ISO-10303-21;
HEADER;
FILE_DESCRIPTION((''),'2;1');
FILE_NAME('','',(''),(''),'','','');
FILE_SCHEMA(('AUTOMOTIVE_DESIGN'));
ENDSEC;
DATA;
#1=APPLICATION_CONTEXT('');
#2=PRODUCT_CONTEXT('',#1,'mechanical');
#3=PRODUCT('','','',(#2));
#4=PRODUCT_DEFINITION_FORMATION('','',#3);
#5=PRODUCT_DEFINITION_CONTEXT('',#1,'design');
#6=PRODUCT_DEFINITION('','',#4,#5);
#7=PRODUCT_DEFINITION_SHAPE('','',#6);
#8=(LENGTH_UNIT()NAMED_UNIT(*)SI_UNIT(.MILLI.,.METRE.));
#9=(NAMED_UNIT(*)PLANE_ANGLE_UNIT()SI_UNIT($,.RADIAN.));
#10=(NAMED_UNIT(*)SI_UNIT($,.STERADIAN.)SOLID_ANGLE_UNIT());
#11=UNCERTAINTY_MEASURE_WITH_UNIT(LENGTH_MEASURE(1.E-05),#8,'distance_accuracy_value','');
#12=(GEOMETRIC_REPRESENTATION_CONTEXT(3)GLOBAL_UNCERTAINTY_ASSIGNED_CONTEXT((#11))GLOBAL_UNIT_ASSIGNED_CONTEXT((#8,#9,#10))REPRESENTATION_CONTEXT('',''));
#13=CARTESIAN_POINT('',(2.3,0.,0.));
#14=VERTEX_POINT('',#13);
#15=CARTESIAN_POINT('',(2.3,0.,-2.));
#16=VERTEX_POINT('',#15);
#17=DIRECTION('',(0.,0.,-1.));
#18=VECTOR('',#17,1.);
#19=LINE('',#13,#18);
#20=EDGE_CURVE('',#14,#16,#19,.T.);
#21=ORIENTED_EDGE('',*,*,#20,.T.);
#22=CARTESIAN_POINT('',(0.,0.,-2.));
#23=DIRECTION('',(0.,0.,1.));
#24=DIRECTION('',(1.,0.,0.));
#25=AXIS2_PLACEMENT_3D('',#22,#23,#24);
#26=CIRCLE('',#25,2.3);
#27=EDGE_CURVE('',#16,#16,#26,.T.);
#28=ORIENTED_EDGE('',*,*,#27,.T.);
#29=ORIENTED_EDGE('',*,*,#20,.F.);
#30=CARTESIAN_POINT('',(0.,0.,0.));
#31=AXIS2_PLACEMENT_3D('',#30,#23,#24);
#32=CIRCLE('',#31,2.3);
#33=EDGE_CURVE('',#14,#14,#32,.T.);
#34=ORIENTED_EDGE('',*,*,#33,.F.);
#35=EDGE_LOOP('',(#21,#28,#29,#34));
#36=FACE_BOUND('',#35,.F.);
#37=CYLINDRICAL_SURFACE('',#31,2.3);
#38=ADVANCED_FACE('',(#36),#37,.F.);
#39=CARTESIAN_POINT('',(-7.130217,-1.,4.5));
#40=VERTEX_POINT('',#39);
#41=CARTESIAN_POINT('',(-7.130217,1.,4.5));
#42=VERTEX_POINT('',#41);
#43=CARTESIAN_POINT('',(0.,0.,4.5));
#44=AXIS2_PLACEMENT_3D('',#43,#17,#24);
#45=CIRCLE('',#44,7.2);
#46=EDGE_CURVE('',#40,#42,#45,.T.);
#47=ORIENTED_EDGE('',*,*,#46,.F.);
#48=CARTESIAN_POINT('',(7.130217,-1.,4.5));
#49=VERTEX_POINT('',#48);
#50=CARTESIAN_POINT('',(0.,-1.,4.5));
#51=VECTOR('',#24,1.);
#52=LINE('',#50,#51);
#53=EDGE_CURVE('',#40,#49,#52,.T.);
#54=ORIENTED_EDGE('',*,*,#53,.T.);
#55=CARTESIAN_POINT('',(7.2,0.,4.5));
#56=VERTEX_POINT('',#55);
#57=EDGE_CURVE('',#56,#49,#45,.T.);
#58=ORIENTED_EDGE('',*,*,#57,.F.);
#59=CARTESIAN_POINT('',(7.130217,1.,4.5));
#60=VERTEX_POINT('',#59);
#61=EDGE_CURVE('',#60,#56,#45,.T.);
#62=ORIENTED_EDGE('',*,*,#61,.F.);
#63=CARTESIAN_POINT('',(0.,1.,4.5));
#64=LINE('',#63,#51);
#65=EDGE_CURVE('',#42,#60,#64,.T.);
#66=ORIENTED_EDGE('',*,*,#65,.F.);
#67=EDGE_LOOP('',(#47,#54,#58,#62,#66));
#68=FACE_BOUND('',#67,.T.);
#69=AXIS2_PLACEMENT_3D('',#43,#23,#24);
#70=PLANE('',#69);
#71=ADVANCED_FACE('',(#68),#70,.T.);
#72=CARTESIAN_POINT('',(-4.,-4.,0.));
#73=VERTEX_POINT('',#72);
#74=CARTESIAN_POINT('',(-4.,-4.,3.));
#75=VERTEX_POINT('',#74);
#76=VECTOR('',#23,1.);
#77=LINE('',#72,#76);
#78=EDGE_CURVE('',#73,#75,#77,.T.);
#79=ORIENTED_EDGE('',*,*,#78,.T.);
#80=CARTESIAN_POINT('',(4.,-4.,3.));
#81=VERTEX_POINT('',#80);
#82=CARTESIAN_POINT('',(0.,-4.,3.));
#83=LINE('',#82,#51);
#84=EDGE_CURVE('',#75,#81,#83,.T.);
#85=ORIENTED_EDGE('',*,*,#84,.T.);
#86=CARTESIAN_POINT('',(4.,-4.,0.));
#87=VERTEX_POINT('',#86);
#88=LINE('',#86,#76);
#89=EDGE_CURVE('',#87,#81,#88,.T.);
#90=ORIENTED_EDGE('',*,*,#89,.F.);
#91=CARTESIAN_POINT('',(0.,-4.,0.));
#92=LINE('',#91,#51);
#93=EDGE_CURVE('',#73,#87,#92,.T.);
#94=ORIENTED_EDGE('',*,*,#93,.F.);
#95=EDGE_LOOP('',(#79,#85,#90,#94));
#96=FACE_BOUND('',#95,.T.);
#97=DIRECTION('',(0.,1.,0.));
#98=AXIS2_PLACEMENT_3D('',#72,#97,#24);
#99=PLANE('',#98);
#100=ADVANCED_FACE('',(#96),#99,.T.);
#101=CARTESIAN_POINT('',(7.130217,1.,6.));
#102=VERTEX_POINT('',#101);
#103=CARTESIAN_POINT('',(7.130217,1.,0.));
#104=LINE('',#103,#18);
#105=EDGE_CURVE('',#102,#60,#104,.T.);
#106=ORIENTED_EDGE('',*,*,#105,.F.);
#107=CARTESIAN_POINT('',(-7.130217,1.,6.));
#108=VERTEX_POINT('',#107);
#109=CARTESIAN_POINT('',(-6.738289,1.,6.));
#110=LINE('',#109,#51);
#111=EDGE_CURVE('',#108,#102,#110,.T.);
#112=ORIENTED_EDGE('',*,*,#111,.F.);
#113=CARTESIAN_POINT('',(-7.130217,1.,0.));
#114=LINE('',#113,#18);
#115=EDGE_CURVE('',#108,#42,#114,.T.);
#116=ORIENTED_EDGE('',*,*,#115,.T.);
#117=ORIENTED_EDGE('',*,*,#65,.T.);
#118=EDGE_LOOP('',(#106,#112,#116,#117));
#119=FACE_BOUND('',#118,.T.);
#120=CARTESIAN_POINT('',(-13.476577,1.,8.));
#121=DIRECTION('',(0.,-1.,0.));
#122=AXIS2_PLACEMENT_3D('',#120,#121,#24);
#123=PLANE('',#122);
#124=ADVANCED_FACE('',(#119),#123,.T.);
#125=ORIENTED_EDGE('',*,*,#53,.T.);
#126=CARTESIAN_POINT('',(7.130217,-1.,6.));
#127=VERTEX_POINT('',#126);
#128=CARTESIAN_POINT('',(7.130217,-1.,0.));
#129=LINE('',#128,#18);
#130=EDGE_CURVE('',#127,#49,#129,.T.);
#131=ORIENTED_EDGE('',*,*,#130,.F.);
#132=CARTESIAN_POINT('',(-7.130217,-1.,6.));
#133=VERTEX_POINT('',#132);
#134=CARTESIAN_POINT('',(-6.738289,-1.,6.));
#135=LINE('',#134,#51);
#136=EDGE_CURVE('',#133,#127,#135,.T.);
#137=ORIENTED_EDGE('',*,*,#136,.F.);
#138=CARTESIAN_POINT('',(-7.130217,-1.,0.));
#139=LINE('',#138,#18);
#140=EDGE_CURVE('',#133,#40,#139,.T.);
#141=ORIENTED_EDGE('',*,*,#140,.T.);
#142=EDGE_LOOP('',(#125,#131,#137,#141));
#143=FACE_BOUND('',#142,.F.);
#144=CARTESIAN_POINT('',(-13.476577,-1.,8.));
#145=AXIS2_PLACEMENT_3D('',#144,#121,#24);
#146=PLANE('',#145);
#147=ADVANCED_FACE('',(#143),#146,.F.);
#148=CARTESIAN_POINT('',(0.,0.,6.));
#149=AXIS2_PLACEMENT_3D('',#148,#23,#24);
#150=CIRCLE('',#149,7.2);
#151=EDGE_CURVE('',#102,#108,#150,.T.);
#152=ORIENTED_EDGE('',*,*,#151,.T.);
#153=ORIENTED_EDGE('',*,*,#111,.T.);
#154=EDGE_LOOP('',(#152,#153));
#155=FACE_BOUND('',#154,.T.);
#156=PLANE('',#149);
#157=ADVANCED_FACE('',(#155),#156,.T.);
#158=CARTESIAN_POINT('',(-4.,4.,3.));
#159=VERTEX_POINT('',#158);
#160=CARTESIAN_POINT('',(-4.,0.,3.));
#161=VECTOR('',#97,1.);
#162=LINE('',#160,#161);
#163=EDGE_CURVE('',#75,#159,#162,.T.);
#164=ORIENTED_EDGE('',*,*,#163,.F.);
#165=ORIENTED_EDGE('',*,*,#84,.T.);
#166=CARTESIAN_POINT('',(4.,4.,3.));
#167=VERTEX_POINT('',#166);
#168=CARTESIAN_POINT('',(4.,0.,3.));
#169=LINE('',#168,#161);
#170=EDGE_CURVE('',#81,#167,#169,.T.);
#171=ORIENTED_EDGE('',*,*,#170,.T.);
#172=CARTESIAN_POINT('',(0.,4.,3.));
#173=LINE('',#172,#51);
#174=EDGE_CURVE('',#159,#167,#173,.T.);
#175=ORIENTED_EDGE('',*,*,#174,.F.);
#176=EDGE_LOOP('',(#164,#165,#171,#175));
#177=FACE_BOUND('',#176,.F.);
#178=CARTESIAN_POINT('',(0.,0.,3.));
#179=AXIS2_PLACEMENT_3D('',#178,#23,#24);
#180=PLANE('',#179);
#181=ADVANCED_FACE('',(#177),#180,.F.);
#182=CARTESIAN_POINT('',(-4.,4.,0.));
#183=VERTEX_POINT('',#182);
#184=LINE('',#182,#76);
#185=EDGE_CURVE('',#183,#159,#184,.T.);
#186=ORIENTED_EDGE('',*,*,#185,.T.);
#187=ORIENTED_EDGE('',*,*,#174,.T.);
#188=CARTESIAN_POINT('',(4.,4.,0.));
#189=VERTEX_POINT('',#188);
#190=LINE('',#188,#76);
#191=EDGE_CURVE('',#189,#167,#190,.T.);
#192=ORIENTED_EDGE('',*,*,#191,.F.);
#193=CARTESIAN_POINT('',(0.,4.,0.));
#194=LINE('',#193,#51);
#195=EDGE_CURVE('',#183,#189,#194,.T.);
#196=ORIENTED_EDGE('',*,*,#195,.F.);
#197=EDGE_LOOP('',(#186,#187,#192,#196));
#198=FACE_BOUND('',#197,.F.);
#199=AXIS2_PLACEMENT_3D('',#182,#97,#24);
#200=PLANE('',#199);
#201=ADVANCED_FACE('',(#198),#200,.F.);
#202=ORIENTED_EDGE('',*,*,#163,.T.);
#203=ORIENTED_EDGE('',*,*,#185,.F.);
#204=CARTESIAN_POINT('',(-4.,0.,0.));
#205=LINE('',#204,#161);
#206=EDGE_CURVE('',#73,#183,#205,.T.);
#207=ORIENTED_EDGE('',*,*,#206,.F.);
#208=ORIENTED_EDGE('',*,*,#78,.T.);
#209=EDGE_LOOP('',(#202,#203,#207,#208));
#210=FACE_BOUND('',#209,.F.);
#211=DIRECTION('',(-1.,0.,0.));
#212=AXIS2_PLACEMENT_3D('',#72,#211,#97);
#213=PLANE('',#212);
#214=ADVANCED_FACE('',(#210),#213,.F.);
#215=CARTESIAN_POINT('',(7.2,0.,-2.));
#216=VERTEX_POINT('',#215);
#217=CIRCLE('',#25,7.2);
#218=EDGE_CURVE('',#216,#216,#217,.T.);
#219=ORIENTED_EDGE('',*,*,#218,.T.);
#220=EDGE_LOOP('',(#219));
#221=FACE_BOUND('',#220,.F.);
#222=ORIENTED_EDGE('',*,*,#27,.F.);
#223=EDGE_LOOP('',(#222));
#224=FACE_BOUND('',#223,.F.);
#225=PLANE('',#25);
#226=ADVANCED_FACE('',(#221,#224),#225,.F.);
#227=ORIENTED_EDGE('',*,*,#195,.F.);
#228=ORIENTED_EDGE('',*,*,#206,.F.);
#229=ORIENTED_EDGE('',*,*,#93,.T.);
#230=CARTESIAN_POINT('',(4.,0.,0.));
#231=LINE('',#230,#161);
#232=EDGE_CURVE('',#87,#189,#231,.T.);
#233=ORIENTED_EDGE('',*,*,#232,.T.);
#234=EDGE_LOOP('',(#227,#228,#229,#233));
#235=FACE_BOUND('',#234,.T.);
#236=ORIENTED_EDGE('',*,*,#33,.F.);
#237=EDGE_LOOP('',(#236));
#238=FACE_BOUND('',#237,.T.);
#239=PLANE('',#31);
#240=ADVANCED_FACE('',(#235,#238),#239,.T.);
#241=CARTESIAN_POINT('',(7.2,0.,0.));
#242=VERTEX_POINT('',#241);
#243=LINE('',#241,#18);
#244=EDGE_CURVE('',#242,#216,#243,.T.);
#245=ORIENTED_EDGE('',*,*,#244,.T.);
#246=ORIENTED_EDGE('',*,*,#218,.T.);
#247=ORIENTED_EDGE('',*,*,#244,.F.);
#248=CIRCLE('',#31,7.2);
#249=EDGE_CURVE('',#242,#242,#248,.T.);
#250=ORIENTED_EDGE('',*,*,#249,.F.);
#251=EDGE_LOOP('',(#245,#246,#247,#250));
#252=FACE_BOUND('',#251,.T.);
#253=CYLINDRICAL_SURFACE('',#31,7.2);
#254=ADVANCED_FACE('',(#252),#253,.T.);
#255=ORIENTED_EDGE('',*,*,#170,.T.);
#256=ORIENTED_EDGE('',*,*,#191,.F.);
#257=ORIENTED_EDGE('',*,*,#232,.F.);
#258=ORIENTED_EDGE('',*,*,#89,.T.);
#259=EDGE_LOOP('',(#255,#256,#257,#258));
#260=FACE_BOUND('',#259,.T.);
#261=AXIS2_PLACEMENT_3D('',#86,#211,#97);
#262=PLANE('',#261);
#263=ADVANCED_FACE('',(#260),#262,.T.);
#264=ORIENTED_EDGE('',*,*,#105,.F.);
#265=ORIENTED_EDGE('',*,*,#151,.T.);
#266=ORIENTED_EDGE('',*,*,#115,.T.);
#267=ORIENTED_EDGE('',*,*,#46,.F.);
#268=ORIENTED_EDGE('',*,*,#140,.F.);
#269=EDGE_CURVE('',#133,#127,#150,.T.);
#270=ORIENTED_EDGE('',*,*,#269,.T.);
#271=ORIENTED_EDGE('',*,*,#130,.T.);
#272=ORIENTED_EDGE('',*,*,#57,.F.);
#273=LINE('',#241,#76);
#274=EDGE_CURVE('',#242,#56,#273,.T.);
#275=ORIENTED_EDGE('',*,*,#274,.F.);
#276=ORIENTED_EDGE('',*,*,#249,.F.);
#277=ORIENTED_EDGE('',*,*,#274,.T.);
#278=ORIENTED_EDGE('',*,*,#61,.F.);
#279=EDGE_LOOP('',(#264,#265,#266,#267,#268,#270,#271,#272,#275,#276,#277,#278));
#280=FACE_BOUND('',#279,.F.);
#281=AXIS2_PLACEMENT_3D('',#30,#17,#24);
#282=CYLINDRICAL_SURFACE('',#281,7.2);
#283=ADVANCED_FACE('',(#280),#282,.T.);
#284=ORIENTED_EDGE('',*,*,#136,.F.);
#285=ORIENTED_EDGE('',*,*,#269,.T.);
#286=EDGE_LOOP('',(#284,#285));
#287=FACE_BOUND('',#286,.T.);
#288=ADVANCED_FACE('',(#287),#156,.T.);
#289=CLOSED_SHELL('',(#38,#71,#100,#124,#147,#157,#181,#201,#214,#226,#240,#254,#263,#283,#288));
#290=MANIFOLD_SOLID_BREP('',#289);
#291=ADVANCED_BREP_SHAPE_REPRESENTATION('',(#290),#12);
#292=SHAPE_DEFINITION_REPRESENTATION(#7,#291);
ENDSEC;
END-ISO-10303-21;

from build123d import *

# Parameters (mm, degrees)
SKETCH_R        = 7.2
SKETCH_R_2      = 2.3
PAD_DEPTH       = 2
SKETCH001_R     = 7.2
PAD001_DEPTH    = 6
SKETCH002_W     = 8
SKETCH002_H     = 8
POCKET_DEPTH    = 3
SKETCH003_W     = 26.953154
SKETCH003_H     = 2
POCKET001_DEPTH = 3.5


with BuildPart() as part:
    # Sketch → Pad (new body)
    with BuildSketch(Plane.XY):
        Circle(SKETCH_R)
        Circle(SKETCH_R_2, mode=Mode.SUBTRACT)
    extrude(amount=-PAD_DEPTH)

    # Sketch001 → Pad001 (join)
    with BuildSketch(Plane.XY):
        Circle(SKETCH001_R)
    extrude(amount=PAD001_DEPTH)

    # Sketch002 → Pocket (cut)
    with BuildSketch(Plane.XY):
        Rectangle(SKETCH002_W, SKETCH002_H)
    extrude(amount=POCKET_DEPTH, mode=Mode.SUBTRACT)

    # Sketch003 (on DatumPlane) → Pocket001 (cut, symmetric)
    with BuildSketch(Plane.XY.offset(8)):
        Rectangle(SKETCH003_W, SKETCH003_H)
    extrude(amount=POCKET001_DEPTH, both=True, mode=Mode.SUBTRACT)


solid = part.part
